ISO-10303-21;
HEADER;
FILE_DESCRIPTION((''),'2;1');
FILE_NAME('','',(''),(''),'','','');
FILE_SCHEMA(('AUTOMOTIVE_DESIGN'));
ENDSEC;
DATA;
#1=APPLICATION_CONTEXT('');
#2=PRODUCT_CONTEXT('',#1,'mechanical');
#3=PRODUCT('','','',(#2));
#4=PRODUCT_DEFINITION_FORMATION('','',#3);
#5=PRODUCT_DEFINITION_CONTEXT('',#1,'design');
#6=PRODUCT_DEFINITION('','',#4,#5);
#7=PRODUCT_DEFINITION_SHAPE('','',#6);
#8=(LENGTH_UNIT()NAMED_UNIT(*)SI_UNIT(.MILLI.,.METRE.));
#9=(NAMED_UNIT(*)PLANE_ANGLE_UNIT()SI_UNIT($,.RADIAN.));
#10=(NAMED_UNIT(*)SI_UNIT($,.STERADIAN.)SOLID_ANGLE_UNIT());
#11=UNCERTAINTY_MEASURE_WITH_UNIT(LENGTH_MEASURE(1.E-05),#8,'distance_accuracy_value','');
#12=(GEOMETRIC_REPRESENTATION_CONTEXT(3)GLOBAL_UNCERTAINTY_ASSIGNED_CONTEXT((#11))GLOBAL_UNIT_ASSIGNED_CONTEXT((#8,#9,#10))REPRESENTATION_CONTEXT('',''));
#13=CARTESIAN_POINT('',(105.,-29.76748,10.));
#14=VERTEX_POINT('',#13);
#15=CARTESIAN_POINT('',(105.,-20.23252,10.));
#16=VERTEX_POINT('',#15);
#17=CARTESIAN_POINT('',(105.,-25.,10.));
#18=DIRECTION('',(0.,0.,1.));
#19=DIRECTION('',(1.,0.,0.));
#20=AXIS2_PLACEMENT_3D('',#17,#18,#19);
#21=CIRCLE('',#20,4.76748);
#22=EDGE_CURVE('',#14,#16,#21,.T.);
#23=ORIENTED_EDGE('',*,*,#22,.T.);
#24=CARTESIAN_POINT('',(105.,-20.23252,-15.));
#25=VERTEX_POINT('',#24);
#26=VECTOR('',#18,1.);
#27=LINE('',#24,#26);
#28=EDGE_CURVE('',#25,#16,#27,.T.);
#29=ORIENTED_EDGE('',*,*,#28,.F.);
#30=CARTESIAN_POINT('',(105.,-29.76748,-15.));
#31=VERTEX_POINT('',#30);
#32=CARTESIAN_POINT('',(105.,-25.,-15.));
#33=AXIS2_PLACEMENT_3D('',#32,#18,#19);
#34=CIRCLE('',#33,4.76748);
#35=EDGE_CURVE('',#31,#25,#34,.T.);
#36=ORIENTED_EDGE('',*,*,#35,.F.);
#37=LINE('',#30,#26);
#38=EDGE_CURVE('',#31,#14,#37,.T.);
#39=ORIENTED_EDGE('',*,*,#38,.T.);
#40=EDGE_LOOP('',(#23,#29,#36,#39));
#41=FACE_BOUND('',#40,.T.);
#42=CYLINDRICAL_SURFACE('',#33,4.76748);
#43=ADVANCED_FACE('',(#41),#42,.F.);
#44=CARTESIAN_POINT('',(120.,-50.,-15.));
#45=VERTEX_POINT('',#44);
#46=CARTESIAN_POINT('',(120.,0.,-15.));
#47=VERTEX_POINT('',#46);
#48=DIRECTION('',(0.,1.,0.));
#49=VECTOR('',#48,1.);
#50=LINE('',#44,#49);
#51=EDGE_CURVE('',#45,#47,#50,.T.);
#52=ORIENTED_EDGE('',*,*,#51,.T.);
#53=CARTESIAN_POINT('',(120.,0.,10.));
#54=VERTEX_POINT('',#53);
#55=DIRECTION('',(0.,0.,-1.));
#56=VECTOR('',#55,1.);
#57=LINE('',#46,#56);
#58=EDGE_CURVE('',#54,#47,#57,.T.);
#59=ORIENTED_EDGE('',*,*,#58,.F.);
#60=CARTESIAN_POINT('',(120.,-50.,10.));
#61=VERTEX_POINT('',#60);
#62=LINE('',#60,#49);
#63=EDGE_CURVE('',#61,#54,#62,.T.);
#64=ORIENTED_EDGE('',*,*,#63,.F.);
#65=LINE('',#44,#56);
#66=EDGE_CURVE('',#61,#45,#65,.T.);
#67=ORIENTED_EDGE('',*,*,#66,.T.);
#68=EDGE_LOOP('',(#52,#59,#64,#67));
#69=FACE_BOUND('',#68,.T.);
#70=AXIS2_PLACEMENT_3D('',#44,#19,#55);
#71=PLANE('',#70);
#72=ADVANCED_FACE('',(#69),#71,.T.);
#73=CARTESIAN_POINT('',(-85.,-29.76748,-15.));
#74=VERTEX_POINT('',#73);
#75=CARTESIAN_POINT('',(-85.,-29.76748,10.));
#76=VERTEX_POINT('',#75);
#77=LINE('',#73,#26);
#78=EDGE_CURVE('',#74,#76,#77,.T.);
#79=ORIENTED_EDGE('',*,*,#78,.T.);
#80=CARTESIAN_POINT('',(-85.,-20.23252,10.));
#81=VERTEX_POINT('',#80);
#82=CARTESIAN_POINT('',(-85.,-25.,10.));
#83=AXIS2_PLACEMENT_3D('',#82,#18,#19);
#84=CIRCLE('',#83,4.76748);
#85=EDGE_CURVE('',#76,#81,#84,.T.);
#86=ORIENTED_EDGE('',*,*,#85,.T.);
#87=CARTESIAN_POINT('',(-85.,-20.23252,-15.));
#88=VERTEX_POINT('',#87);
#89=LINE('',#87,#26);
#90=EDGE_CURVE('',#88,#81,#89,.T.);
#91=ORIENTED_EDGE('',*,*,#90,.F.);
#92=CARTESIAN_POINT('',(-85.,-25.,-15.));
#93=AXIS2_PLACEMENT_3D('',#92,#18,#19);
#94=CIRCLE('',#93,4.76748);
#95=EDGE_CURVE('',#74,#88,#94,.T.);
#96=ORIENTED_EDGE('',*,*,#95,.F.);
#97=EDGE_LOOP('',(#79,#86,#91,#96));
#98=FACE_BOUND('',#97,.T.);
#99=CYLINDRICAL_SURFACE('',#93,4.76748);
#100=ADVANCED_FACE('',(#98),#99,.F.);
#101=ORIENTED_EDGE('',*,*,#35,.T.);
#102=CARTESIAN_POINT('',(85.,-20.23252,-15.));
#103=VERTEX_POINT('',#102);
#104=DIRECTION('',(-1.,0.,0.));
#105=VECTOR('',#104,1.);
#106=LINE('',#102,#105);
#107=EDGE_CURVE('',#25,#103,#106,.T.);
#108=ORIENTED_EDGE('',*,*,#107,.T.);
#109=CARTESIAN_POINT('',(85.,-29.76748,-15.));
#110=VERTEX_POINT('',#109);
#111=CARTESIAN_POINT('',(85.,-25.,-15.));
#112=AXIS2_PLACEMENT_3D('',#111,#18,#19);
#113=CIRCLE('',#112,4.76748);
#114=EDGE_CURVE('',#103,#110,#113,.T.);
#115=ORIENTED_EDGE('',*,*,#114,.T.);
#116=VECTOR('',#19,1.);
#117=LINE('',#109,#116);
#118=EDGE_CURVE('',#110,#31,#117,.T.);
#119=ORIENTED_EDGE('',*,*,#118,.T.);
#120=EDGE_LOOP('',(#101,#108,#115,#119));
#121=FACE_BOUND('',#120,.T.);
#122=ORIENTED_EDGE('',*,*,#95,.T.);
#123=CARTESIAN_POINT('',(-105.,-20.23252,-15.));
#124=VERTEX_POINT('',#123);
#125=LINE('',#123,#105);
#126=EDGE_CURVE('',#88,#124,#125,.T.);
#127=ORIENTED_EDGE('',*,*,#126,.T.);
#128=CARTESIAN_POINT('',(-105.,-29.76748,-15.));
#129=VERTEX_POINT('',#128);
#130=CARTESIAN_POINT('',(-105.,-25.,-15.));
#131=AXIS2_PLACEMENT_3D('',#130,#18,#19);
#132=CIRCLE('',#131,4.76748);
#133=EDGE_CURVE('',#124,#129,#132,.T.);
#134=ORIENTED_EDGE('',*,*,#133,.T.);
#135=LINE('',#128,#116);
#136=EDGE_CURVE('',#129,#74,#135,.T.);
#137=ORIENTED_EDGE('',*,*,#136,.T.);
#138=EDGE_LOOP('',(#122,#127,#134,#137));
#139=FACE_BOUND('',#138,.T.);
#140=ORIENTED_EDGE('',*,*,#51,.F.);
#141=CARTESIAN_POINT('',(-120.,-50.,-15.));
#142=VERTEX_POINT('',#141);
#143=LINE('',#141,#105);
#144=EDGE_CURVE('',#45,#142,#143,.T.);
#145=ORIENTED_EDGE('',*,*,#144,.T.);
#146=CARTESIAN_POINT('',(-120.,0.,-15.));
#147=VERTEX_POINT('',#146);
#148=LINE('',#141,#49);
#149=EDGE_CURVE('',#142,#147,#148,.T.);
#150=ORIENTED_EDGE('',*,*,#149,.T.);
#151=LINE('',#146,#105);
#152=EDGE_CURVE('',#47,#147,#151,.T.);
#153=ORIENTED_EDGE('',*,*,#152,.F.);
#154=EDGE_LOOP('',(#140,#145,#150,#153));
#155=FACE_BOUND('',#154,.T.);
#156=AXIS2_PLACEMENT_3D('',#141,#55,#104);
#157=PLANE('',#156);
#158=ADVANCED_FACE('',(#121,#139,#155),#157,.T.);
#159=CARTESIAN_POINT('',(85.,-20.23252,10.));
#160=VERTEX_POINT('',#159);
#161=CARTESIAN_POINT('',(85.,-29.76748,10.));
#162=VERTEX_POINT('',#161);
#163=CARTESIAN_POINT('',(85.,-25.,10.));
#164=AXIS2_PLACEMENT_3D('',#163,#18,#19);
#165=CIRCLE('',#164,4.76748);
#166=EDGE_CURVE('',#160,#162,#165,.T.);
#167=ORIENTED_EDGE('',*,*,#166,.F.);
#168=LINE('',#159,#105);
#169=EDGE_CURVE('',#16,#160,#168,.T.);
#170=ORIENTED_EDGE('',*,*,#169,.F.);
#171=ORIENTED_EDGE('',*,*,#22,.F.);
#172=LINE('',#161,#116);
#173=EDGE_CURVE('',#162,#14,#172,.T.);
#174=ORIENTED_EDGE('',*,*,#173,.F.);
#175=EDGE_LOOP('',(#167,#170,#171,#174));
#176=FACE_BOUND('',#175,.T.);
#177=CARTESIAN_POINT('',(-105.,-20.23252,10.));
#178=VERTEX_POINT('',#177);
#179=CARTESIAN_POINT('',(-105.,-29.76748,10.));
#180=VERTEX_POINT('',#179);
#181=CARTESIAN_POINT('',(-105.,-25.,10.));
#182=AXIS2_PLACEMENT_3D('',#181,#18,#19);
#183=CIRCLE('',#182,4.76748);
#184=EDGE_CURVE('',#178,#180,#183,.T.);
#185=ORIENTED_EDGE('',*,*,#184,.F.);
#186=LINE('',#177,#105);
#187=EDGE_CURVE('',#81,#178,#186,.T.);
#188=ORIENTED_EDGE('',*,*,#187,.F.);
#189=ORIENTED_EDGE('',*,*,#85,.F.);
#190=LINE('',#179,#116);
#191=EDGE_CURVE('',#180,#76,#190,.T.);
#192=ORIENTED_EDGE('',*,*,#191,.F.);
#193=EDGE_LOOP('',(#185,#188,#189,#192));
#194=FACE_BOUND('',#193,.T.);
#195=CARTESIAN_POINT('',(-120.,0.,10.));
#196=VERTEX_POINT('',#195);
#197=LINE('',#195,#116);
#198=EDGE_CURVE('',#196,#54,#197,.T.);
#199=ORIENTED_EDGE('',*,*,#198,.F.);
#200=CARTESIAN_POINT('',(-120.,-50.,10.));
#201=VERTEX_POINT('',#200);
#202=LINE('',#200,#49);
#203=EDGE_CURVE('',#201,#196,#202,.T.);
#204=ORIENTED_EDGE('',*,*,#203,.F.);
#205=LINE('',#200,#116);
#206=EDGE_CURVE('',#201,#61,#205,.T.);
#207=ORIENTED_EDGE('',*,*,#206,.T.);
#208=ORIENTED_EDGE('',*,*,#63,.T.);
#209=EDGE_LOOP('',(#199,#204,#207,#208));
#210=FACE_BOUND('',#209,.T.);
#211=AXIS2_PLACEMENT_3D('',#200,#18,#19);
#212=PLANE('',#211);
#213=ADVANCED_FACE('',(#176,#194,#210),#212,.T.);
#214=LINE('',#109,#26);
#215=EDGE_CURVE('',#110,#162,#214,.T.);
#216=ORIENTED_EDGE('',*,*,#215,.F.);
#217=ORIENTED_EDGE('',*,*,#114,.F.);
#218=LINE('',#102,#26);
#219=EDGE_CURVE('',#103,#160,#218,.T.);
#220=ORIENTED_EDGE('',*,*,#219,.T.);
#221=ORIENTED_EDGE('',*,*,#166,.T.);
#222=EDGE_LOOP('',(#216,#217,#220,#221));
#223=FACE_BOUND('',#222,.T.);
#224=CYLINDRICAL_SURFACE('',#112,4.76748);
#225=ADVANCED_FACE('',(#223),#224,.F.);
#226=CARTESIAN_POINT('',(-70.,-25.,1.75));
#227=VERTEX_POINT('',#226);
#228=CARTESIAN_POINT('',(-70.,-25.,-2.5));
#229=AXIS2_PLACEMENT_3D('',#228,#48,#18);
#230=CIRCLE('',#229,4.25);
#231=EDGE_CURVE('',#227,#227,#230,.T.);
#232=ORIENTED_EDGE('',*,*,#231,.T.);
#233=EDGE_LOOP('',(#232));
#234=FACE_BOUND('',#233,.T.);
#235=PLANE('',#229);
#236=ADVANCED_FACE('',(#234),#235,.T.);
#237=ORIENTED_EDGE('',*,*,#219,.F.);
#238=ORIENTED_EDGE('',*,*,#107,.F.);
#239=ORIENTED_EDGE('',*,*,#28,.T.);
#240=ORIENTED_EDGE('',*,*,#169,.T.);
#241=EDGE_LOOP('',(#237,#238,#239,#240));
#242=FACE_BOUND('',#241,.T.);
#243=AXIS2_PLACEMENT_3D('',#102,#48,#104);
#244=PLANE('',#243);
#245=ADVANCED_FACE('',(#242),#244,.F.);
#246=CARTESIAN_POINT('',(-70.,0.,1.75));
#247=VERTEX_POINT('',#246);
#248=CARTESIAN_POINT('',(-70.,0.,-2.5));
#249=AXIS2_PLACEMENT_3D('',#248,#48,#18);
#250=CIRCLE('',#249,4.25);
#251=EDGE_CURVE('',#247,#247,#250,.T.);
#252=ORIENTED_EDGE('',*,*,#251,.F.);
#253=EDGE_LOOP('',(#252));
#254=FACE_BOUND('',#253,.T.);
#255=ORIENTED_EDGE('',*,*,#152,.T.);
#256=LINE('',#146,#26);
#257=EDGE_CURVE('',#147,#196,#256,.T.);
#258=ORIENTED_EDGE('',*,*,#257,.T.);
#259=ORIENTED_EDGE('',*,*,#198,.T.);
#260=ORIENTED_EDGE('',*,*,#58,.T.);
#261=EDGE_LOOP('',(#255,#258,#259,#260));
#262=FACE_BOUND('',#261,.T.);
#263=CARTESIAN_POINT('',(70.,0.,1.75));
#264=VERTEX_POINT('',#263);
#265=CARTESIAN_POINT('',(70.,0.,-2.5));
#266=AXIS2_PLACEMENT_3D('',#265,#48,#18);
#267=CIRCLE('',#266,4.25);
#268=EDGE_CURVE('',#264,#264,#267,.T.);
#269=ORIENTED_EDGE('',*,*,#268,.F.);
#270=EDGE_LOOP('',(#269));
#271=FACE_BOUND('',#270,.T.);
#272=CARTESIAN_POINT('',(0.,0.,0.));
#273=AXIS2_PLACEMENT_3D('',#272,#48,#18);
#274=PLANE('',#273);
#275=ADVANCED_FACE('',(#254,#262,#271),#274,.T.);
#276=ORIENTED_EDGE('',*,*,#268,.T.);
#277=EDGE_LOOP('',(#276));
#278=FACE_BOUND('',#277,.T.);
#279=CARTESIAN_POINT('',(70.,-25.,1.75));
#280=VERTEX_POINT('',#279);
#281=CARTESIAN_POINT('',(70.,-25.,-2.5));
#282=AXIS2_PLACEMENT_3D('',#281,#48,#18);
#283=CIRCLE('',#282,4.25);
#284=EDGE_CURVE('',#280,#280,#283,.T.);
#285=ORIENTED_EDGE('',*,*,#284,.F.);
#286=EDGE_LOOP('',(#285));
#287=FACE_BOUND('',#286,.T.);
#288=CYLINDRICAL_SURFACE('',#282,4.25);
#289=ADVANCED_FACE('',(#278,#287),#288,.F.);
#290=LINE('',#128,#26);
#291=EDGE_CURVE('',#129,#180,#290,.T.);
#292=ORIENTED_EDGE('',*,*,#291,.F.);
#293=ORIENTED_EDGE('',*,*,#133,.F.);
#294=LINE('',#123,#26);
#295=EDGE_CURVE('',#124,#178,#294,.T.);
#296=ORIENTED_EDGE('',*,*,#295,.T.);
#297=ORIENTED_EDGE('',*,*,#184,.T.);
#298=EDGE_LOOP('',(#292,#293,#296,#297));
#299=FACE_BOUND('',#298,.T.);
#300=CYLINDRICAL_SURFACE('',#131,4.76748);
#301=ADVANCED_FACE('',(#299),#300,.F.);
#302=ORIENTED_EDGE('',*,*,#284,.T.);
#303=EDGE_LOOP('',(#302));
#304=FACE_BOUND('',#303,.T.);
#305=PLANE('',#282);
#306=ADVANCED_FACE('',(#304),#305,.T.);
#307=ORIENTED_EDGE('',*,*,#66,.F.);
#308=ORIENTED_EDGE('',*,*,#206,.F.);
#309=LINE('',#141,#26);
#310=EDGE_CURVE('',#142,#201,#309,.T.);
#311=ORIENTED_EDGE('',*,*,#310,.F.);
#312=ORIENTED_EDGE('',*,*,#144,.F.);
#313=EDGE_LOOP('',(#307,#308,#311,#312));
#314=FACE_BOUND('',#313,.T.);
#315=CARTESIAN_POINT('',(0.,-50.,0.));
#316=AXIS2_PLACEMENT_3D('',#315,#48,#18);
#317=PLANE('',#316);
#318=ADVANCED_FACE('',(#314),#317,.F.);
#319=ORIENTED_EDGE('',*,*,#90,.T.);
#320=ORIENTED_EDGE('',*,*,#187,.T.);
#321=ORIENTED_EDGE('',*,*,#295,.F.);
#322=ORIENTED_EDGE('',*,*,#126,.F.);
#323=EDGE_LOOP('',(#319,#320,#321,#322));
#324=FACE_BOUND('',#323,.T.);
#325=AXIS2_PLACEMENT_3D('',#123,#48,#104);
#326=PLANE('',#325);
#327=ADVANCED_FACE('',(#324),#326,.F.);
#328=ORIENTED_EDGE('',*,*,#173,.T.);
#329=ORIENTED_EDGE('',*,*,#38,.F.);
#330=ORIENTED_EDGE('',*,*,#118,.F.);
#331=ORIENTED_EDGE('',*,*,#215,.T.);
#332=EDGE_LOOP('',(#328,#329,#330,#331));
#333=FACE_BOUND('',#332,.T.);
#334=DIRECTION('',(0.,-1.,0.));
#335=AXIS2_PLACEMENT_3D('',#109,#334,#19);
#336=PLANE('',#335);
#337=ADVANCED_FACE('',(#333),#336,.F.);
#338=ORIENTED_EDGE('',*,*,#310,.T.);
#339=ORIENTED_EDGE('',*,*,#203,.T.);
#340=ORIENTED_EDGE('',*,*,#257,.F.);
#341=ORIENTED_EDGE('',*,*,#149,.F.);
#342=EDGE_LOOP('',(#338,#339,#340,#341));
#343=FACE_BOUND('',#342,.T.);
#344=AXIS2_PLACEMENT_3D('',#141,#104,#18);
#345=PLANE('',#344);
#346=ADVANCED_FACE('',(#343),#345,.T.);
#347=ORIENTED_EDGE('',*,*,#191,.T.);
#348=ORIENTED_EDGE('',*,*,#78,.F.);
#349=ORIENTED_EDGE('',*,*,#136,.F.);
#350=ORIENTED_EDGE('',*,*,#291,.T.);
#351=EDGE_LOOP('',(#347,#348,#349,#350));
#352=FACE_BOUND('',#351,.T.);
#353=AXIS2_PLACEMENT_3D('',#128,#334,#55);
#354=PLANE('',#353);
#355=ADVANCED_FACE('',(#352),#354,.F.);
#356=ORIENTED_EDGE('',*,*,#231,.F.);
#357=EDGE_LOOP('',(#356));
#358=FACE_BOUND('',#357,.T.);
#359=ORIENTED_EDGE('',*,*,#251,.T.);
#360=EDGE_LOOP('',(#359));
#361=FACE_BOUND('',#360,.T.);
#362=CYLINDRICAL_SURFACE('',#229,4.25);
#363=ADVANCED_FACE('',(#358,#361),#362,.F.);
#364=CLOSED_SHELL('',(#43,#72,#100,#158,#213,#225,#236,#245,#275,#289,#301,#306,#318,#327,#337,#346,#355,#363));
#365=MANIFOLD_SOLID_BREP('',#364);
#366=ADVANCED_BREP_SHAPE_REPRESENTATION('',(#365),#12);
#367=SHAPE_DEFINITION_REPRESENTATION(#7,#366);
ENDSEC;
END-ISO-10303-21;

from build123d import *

# Parameters (mm, degrees)
CROQUIS1_W              = 240
CROQUIS1_H              = 25
SALIENTE_EXTRUIR1_DEPTH = 50
CROQUIS2_R              = 4.25
CORTAR_EXTRUIR1_DEPTH   = 25
CORTAR_EXTRUIR3_DEPTH   = 26


with BuildPart() as part:
    # Croquis1 → Saliente-Extruir1 (new body)
    with BuildSketch(Plane(origin=(0, 0, 0), x_dir=(1, 0, 0), z_dir=(0, 1, 0))):
        with Locations((0, 2.5)):
            Rectangle(CROQUIS1_W, CROQUIS1_H)
    extrude(amount=-SALIENTE_EXTRUIR1_DEPTH)

    # Croquis2 → Cortar-Extruir1 (cut)
    with BuildSketch(Plane(origin=(0, 0, 0), x_dir=(1, 0, 0), z_dir=(0, 1, 0))):
        with Locations((-70, 2.5)):
            Circle(CROQUIS2_R)
        with Locations((70, 2.5)):
            Circle(CROQUIS2_R)
    extrude(amount=-CORTAR_EXTRUIR1_DEPTH, mode=Mode.SUBTRACT)

    # Croquis3 → Cortar-Extruir3 (cut, through all)
    with BuildSketch(Plane.XY.offset(10)):
        with BuildLine():
            Line((-105, -20.232520372), (-85, -20.232520372))
            ThreePointArc((-85, -20.232520372), (-80.232520372, -25), (-85, -29.767479628))
            Line((-85, -29.767479628), (-105, -29.767479628))
            ThreePointArc((-105, -29.767479628), (-109.767479628, -25), (-105, -20.232520372))
        make_face()
        with BuildLine():
            Line((85, -20.232520372), (105, -20.232520372))
            ThreePointArc((105, -20.232520372), (109.767479628, -25), (105, -29.767479628))
            Line((105, -29.767479628), (85, -29.767479628))
            ThreePointArc((85, -29.767479628), (80.232520372, -25), (85, -20.232520372))
        make_face()
    extrude(amount=-CORTAR_EXTRUIR3_DEPTH, mode=Mode.SUBTRACT)


solid = part.part
